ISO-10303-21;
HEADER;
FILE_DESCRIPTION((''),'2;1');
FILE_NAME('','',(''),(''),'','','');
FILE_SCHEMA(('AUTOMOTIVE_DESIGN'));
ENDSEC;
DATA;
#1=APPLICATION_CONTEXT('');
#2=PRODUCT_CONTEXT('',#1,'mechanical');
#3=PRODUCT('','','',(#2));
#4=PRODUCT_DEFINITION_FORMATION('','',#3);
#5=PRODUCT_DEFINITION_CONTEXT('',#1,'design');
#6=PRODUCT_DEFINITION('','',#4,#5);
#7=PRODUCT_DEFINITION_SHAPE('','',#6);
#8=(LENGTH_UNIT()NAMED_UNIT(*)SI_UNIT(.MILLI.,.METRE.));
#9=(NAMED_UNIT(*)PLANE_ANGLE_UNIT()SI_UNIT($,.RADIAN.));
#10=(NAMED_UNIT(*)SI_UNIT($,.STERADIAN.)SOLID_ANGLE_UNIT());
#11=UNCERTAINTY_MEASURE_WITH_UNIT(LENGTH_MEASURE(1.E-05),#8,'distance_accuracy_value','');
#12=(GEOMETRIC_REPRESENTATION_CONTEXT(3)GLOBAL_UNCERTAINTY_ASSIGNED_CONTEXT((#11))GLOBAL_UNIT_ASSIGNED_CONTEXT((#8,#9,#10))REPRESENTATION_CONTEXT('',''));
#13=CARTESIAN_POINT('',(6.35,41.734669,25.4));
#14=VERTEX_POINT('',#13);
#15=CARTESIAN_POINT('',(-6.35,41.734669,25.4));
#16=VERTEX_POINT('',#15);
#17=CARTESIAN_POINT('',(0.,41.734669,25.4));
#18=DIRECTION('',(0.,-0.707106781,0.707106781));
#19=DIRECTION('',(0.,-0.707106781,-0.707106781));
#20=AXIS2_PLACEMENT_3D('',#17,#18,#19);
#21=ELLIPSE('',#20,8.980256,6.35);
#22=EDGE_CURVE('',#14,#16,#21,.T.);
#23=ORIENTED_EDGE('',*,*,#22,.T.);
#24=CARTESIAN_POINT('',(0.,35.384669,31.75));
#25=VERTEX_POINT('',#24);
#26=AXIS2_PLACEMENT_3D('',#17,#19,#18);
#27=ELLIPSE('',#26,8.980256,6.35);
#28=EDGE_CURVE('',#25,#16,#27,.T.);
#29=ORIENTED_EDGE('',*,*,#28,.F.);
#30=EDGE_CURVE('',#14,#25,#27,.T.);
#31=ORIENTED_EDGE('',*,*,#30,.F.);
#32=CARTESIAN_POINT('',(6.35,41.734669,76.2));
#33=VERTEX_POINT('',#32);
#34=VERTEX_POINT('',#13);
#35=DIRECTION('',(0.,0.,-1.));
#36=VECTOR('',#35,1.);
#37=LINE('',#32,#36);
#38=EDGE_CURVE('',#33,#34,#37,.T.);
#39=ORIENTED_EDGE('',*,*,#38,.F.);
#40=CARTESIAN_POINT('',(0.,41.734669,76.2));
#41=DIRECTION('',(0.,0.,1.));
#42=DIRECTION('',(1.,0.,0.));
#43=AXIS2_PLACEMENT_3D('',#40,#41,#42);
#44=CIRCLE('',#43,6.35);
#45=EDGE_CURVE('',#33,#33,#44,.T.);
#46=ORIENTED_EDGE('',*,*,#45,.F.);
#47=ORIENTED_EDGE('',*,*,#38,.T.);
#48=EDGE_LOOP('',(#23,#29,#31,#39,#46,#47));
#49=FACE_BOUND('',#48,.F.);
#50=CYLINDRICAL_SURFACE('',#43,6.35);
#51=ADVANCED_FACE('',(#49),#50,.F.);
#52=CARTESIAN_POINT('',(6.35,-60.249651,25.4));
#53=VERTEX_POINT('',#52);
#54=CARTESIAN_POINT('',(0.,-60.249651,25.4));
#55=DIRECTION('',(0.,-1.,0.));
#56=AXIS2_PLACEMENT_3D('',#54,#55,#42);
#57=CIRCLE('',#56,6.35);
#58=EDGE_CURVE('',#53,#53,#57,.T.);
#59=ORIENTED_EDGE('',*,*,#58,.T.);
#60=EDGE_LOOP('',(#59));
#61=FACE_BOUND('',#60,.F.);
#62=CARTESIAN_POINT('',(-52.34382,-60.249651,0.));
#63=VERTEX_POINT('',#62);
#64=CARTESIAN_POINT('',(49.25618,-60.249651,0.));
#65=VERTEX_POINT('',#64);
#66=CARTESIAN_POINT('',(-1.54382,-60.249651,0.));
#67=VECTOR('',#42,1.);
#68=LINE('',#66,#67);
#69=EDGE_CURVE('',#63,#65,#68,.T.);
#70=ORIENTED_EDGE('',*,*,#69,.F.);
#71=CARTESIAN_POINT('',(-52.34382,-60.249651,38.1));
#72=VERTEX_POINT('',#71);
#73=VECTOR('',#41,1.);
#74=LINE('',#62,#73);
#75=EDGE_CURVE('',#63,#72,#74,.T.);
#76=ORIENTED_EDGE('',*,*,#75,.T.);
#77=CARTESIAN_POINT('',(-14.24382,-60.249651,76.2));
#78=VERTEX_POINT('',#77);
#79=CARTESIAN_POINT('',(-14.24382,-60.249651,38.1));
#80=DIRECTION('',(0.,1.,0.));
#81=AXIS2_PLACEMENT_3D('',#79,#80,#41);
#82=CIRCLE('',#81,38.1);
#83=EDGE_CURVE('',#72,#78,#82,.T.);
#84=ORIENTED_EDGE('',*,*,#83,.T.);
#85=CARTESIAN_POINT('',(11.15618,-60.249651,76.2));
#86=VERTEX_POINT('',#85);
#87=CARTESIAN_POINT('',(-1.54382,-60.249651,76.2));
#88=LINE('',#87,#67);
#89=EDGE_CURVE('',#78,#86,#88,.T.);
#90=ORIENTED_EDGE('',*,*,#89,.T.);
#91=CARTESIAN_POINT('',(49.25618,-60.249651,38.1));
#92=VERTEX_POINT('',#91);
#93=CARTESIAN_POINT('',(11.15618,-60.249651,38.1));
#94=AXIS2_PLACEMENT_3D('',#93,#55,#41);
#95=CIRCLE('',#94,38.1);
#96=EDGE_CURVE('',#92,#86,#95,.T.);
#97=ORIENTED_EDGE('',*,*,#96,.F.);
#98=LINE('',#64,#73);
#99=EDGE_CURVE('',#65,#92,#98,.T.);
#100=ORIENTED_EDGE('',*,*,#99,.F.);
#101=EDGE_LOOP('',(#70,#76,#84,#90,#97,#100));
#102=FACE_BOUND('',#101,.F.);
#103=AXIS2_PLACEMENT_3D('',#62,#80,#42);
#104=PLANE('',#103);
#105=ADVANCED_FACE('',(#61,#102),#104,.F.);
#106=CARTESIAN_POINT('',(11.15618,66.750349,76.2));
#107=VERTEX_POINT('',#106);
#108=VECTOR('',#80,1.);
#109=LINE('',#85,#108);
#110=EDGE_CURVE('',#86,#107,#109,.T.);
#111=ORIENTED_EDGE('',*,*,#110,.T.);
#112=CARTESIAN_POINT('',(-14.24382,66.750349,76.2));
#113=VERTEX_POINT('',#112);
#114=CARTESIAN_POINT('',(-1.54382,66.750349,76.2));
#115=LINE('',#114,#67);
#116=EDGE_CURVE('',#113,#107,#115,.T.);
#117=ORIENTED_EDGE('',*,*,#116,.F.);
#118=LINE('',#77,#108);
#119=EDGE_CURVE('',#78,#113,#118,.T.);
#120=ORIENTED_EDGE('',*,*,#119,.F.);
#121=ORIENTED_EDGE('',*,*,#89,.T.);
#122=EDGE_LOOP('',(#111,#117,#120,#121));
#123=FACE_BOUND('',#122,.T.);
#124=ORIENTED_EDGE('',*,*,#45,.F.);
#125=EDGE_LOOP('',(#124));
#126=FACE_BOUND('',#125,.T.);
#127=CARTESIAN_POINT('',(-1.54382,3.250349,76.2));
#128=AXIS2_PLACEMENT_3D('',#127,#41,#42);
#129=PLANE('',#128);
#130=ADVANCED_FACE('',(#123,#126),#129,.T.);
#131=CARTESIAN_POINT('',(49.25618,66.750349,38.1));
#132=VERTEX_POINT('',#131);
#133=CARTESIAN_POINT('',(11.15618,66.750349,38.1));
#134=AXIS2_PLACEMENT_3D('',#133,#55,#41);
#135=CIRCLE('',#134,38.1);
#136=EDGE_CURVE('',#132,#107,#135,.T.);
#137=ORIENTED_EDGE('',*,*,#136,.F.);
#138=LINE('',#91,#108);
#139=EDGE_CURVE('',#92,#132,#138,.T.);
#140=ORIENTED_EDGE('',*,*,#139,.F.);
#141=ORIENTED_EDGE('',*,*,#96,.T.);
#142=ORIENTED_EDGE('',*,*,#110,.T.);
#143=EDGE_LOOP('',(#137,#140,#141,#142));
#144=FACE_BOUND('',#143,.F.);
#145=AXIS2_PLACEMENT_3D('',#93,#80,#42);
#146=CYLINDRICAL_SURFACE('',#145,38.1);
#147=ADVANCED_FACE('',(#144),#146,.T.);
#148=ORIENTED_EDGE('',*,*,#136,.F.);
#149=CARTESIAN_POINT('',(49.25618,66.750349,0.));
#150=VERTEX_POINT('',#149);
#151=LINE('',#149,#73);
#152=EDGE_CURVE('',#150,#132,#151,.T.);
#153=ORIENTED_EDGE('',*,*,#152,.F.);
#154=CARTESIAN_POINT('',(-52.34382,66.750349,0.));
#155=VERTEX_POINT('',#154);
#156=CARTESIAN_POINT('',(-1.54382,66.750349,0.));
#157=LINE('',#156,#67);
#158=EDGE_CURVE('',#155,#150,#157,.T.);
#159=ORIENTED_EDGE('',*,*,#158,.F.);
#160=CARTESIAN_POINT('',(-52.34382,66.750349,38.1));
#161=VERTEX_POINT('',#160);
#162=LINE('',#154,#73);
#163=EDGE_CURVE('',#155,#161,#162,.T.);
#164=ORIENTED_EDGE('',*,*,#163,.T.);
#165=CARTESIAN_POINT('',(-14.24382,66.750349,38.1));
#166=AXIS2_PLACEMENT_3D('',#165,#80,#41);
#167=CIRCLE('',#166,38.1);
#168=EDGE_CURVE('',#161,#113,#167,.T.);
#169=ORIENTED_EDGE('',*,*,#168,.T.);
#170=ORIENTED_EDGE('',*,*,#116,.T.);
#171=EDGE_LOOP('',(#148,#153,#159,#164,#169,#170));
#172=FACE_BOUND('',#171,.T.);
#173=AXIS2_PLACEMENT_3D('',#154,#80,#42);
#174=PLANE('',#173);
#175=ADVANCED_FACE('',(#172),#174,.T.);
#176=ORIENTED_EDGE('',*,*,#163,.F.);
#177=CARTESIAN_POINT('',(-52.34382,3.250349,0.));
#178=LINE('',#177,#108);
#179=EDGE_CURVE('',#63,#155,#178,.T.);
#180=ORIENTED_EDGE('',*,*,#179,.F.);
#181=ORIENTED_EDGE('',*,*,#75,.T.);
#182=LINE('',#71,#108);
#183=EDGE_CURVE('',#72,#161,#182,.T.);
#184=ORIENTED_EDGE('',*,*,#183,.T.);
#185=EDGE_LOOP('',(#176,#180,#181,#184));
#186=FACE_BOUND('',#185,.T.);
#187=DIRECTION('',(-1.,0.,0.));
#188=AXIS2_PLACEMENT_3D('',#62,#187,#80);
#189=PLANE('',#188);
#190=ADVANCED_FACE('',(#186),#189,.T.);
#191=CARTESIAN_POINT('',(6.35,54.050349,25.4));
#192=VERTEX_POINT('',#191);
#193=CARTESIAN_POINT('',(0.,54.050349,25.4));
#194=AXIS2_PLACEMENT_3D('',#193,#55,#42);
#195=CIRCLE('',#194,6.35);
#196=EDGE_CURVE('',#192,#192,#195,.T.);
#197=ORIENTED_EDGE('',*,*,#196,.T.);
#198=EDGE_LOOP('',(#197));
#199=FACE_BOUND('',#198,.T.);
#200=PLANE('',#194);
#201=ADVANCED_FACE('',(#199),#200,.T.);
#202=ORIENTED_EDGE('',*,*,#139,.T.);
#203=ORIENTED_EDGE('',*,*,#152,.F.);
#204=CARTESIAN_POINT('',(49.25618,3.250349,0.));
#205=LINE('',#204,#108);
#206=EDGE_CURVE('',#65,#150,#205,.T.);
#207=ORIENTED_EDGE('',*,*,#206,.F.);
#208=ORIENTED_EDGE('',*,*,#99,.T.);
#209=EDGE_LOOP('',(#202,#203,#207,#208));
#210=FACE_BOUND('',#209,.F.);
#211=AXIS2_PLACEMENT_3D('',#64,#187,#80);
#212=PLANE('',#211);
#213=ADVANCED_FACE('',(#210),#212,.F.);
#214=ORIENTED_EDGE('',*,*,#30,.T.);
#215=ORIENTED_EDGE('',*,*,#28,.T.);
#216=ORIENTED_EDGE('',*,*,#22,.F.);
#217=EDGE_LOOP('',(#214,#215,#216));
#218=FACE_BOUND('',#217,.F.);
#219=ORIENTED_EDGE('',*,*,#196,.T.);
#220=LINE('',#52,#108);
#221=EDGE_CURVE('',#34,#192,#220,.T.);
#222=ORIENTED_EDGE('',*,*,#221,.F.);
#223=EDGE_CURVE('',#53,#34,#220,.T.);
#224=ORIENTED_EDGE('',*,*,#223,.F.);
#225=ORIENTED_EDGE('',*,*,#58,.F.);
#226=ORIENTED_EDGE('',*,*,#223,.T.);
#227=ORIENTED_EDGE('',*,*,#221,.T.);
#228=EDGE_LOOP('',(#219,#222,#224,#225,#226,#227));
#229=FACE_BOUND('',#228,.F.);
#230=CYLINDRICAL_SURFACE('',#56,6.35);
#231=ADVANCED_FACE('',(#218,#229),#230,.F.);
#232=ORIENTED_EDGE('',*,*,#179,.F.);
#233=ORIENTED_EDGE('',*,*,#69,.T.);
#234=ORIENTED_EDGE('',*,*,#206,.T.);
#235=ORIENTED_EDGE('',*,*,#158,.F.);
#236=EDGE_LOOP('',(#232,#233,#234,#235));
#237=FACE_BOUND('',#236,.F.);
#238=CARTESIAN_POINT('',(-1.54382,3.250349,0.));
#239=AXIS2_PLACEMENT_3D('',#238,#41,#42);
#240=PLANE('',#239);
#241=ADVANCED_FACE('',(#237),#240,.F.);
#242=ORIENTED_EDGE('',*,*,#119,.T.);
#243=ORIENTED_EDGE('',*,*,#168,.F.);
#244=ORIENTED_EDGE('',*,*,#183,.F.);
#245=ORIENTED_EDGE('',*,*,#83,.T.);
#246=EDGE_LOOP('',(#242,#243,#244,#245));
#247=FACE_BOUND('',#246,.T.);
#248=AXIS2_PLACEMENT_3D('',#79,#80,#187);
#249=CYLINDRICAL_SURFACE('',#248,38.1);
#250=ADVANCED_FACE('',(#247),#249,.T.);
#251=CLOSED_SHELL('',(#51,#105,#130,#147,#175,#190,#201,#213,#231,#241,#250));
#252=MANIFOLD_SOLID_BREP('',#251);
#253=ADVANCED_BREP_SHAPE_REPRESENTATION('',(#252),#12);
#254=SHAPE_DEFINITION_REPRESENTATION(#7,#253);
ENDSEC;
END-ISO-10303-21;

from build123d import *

# Parameters (mm, degrees)
F0_W     = 101.6
F0_H     = 127
F1_DEPTH = 76.2
F2_R     = 38.1
F3_R     = 6.35
F4_DEPTH = 114.3
F5_R     = 6.35
F6_DEPTH = 50.8


with BuildPart() as f1:
    # F0 (on Top) → F1 (new body)
    with BuildSketch(Plane.XY):
        with Locations((-1.54382, 3.250349)):
            Rectangle(F0_W, F0_H)
    extrude(amount=F1_DEPTH)

    # F2
    f2_edges = [f1.edges().sort_by_distance(p)[0] for p in [
        (-52.34382, 3.250349, 76.2),
        (49.25618, 3.250349, 76.2),
    ]]
    fillet(f2_edges, radius=F2_R)

    # F3 (on face) → F4 (cut)
    with BuildSketch(Plane.XZ.offset(60.249651)):
        with Locations((0, 25.4)):
            Circle(F3_R)
    extrude(amount=-F4_DEPTH, mode=Mode.SUBTRACT)

    # F5 (on face) → F6 (cut)
    with BuildSketch(Plane.XY.offset(76.2)):
        with Locations((0, 41.734669)):
            Circle(F5_R)
    extrude(amount=-F6_DEPTH, mode=Mode.SUBTRACT)


solid = f1.part
